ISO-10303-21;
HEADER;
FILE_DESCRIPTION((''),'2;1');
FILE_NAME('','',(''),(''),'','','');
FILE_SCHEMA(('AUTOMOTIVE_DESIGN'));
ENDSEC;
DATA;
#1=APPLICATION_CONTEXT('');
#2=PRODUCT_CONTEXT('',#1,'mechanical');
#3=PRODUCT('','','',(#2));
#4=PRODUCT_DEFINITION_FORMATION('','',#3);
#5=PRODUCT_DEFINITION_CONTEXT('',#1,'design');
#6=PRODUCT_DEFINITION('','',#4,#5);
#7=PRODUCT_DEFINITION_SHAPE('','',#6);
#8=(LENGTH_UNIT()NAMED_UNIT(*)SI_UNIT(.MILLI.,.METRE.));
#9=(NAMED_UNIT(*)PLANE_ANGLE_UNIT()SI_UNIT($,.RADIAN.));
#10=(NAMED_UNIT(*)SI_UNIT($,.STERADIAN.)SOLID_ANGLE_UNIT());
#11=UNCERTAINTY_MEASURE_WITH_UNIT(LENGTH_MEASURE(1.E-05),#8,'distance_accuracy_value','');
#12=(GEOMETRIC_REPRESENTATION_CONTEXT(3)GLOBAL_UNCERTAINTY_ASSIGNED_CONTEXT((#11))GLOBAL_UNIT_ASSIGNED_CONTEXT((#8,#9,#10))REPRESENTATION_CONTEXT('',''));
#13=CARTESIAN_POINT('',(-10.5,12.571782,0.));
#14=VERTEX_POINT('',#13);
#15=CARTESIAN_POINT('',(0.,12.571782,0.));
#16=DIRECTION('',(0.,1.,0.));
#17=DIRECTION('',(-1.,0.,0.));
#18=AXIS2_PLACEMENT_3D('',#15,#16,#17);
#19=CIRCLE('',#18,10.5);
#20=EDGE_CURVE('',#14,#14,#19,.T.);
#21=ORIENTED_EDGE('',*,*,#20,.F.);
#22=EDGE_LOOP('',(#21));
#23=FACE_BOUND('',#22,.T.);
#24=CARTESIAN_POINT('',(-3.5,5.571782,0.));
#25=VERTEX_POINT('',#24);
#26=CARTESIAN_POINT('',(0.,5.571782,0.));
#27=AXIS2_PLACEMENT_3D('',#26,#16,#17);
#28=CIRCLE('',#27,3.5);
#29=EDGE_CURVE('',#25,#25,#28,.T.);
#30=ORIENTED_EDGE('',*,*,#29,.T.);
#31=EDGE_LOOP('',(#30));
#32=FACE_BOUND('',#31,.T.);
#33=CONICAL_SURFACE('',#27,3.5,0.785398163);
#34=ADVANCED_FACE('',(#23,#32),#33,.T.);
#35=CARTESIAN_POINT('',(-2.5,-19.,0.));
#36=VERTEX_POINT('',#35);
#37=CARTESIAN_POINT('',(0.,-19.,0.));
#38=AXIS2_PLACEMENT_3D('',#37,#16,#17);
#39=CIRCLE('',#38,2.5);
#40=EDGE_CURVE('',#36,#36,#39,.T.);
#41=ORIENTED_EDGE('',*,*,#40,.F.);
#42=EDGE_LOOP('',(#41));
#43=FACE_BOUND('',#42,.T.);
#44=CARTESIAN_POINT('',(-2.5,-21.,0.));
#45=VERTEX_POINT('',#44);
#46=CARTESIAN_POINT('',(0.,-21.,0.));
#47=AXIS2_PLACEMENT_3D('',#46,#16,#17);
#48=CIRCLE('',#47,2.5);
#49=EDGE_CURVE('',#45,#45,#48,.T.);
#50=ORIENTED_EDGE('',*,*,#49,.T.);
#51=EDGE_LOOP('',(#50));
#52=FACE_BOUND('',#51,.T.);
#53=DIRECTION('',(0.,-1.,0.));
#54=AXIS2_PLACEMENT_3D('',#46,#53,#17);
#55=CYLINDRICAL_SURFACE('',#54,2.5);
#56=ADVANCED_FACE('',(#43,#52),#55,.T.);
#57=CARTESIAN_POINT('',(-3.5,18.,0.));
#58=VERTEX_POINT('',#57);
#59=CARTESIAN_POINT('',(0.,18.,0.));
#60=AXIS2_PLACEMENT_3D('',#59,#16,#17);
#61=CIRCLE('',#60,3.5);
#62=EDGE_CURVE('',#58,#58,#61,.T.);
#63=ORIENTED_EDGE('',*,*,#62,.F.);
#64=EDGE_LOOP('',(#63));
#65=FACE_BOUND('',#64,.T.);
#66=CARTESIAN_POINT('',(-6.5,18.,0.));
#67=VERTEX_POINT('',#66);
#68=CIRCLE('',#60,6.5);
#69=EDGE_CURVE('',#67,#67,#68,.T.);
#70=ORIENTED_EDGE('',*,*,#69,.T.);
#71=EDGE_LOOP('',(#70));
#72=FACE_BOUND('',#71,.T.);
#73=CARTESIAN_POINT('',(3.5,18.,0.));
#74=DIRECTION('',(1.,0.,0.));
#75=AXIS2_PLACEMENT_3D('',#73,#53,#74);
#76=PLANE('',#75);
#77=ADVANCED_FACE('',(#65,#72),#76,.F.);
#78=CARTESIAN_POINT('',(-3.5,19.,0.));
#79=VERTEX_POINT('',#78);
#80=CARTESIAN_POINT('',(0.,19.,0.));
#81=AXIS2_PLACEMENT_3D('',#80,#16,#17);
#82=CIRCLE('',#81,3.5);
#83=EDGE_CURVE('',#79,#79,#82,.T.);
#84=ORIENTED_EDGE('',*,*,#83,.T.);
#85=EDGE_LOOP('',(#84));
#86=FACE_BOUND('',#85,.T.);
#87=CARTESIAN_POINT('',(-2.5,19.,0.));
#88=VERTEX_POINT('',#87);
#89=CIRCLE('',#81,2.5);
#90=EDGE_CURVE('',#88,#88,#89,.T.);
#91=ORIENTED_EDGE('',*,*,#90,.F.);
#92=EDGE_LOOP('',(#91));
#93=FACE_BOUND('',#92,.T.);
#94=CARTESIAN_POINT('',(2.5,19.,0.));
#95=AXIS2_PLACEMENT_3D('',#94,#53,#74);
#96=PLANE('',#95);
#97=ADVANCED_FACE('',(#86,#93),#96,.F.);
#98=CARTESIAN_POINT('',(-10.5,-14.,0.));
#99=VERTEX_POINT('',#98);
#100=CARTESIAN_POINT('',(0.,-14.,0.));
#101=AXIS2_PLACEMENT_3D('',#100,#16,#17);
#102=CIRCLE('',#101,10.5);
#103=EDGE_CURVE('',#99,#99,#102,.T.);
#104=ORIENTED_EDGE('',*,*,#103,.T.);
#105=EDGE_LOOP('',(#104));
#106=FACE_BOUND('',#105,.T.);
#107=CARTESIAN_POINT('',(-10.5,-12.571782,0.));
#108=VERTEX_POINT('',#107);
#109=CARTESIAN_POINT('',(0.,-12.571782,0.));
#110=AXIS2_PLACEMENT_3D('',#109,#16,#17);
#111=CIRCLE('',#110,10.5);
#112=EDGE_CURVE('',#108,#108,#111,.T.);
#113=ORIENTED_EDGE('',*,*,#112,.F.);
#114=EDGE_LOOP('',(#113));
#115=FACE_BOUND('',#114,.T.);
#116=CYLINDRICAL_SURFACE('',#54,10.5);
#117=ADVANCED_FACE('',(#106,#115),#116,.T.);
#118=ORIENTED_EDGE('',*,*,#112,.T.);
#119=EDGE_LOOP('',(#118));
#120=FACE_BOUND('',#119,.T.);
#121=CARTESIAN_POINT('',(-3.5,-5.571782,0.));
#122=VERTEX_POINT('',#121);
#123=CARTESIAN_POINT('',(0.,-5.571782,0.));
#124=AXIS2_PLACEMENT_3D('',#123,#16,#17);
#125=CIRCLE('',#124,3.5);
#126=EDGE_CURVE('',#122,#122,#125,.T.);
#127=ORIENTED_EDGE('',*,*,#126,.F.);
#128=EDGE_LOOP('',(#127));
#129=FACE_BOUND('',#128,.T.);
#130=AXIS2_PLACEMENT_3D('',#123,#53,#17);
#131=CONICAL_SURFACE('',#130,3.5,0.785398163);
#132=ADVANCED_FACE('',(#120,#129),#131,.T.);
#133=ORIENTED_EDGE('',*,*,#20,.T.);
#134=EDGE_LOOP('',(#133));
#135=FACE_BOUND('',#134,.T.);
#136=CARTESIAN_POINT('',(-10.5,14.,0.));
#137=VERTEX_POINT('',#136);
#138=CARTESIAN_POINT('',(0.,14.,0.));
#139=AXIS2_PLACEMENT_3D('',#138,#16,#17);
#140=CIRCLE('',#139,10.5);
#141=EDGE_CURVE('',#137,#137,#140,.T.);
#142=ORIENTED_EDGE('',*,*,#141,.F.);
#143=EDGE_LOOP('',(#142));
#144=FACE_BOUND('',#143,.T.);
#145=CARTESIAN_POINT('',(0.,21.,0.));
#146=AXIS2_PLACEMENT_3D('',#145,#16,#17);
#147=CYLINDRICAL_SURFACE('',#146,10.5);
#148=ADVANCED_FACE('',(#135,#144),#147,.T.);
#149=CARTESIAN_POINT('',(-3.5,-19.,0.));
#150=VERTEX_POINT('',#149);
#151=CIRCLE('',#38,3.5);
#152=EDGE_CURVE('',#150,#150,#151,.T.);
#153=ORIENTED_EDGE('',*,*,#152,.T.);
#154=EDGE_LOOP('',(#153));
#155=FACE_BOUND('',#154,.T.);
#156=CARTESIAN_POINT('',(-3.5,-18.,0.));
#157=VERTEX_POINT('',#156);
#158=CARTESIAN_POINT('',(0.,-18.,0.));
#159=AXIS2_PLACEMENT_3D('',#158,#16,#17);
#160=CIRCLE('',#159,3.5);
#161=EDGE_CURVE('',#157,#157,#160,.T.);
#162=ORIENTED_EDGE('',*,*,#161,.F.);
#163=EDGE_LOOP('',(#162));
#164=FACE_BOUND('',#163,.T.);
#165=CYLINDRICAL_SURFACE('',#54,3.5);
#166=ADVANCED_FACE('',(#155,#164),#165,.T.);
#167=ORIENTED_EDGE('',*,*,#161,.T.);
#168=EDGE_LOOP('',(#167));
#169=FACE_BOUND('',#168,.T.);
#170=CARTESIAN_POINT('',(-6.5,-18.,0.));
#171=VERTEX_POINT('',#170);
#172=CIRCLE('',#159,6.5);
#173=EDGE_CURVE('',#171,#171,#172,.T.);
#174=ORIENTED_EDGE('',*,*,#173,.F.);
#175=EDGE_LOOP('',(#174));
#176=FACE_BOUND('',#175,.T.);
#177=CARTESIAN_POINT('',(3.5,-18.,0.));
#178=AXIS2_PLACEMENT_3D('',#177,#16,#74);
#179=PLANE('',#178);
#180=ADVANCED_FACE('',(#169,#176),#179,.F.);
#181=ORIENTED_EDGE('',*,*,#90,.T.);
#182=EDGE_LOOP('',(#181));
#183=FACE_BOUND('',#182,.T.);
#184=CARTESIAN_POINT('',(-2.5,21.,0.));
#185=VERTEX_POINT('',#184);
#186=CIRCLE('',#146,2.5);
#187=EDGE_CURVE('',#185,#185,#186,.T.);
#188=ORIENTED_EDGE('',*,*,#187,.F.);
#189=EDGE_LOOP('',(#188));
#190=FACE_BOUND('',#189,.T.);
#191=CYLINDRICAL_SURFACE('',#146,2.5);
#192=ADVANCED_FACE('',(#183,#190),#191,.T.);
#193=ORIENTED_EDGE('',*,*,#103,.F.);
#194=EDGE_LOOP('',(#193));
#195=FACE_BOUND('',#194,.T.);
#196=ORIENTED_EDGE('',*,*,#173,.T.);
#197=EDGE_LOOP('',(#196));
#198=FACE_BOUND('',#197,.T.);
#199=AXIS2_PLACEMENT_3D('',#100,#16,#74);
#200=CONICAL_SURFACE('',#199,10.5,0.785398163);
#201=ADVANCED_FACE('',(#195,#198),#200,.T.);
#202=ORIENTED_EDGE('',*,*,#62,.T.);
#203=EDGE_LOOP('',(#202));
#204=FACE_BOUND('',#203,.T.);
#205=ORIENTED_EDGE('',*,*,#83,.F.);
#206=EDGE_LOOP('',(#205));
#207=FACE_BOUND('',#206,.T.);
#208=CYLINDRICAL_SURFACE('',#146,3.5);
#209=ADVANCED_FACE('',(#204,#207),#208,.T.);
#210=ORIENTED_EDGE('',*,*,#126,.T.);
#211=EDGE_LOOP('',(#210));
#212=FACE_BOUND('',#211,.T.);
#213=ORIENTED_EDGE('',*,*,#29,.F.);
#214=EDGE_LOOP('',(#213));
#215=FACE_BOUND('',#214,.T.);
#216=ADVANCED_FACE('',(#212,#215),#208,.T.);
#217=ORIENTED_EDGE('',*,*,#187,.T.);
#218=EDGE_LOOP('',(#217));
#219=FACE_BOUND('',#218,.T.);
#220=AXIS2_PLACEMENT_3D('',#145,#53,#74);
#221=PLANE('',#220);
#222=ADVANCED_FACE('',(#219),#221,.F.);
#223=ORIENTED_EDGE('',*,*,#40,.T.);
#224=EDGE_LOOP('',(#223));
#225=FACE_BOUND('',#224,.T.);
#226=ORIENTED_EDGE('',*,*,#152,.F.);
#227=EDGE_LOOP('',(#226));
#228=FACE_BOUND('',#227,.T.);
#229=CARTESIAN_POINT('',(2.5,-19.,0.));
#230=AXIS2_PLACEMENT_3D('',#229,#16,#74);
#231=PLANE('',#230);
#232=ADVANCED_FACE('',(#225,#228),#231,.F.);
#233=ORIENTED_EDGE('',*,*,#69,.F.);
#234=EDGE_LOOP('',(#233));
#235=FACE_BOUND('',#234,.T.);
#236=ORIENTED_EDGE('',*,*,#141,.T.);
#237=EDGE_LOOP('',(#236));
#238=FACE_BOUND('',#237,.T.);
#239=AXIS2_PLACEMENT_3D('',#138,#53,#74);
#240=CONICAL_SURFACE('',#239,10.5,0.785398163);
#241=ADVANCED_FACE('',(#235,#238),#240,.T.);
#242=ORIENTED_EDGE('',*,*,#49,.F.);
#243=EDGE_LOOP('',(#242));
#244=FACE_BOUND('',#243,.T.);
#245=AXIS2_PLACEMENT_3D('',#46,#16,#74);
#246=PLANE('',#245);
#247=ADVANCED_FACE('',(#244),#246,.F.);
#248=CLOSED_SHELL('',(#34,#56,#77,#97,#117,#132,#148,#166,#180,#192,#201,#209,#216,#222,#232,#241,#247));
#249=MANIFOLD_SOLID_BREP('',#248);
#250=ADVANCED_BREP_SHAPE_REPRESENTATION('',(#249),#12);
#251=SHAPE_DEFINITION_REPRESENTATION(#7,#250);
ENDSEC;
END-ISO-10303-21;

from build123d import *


with BuildPart() as part:
    # Sketch1 → Revolve1 (revolve)
    with BuildSketch(Plane.XY):
        Polygon((0, 21), (0, 0), (3.5, 0), (3.5, 5.571782079), (10.5, 12.571782079), (10.5, 14), (6.5, 18), (3.5, 18), (3.5, 19), (2.5, 19), (2.5, 21), align=None)
    revolve1 = revolve(axis=Axis((0, 21, 0), (0, -1, 0)))

    # Mirror1: Revolve1 across plane
    add(revolve1.mirror(Plane.ZX))


solid = part.part
